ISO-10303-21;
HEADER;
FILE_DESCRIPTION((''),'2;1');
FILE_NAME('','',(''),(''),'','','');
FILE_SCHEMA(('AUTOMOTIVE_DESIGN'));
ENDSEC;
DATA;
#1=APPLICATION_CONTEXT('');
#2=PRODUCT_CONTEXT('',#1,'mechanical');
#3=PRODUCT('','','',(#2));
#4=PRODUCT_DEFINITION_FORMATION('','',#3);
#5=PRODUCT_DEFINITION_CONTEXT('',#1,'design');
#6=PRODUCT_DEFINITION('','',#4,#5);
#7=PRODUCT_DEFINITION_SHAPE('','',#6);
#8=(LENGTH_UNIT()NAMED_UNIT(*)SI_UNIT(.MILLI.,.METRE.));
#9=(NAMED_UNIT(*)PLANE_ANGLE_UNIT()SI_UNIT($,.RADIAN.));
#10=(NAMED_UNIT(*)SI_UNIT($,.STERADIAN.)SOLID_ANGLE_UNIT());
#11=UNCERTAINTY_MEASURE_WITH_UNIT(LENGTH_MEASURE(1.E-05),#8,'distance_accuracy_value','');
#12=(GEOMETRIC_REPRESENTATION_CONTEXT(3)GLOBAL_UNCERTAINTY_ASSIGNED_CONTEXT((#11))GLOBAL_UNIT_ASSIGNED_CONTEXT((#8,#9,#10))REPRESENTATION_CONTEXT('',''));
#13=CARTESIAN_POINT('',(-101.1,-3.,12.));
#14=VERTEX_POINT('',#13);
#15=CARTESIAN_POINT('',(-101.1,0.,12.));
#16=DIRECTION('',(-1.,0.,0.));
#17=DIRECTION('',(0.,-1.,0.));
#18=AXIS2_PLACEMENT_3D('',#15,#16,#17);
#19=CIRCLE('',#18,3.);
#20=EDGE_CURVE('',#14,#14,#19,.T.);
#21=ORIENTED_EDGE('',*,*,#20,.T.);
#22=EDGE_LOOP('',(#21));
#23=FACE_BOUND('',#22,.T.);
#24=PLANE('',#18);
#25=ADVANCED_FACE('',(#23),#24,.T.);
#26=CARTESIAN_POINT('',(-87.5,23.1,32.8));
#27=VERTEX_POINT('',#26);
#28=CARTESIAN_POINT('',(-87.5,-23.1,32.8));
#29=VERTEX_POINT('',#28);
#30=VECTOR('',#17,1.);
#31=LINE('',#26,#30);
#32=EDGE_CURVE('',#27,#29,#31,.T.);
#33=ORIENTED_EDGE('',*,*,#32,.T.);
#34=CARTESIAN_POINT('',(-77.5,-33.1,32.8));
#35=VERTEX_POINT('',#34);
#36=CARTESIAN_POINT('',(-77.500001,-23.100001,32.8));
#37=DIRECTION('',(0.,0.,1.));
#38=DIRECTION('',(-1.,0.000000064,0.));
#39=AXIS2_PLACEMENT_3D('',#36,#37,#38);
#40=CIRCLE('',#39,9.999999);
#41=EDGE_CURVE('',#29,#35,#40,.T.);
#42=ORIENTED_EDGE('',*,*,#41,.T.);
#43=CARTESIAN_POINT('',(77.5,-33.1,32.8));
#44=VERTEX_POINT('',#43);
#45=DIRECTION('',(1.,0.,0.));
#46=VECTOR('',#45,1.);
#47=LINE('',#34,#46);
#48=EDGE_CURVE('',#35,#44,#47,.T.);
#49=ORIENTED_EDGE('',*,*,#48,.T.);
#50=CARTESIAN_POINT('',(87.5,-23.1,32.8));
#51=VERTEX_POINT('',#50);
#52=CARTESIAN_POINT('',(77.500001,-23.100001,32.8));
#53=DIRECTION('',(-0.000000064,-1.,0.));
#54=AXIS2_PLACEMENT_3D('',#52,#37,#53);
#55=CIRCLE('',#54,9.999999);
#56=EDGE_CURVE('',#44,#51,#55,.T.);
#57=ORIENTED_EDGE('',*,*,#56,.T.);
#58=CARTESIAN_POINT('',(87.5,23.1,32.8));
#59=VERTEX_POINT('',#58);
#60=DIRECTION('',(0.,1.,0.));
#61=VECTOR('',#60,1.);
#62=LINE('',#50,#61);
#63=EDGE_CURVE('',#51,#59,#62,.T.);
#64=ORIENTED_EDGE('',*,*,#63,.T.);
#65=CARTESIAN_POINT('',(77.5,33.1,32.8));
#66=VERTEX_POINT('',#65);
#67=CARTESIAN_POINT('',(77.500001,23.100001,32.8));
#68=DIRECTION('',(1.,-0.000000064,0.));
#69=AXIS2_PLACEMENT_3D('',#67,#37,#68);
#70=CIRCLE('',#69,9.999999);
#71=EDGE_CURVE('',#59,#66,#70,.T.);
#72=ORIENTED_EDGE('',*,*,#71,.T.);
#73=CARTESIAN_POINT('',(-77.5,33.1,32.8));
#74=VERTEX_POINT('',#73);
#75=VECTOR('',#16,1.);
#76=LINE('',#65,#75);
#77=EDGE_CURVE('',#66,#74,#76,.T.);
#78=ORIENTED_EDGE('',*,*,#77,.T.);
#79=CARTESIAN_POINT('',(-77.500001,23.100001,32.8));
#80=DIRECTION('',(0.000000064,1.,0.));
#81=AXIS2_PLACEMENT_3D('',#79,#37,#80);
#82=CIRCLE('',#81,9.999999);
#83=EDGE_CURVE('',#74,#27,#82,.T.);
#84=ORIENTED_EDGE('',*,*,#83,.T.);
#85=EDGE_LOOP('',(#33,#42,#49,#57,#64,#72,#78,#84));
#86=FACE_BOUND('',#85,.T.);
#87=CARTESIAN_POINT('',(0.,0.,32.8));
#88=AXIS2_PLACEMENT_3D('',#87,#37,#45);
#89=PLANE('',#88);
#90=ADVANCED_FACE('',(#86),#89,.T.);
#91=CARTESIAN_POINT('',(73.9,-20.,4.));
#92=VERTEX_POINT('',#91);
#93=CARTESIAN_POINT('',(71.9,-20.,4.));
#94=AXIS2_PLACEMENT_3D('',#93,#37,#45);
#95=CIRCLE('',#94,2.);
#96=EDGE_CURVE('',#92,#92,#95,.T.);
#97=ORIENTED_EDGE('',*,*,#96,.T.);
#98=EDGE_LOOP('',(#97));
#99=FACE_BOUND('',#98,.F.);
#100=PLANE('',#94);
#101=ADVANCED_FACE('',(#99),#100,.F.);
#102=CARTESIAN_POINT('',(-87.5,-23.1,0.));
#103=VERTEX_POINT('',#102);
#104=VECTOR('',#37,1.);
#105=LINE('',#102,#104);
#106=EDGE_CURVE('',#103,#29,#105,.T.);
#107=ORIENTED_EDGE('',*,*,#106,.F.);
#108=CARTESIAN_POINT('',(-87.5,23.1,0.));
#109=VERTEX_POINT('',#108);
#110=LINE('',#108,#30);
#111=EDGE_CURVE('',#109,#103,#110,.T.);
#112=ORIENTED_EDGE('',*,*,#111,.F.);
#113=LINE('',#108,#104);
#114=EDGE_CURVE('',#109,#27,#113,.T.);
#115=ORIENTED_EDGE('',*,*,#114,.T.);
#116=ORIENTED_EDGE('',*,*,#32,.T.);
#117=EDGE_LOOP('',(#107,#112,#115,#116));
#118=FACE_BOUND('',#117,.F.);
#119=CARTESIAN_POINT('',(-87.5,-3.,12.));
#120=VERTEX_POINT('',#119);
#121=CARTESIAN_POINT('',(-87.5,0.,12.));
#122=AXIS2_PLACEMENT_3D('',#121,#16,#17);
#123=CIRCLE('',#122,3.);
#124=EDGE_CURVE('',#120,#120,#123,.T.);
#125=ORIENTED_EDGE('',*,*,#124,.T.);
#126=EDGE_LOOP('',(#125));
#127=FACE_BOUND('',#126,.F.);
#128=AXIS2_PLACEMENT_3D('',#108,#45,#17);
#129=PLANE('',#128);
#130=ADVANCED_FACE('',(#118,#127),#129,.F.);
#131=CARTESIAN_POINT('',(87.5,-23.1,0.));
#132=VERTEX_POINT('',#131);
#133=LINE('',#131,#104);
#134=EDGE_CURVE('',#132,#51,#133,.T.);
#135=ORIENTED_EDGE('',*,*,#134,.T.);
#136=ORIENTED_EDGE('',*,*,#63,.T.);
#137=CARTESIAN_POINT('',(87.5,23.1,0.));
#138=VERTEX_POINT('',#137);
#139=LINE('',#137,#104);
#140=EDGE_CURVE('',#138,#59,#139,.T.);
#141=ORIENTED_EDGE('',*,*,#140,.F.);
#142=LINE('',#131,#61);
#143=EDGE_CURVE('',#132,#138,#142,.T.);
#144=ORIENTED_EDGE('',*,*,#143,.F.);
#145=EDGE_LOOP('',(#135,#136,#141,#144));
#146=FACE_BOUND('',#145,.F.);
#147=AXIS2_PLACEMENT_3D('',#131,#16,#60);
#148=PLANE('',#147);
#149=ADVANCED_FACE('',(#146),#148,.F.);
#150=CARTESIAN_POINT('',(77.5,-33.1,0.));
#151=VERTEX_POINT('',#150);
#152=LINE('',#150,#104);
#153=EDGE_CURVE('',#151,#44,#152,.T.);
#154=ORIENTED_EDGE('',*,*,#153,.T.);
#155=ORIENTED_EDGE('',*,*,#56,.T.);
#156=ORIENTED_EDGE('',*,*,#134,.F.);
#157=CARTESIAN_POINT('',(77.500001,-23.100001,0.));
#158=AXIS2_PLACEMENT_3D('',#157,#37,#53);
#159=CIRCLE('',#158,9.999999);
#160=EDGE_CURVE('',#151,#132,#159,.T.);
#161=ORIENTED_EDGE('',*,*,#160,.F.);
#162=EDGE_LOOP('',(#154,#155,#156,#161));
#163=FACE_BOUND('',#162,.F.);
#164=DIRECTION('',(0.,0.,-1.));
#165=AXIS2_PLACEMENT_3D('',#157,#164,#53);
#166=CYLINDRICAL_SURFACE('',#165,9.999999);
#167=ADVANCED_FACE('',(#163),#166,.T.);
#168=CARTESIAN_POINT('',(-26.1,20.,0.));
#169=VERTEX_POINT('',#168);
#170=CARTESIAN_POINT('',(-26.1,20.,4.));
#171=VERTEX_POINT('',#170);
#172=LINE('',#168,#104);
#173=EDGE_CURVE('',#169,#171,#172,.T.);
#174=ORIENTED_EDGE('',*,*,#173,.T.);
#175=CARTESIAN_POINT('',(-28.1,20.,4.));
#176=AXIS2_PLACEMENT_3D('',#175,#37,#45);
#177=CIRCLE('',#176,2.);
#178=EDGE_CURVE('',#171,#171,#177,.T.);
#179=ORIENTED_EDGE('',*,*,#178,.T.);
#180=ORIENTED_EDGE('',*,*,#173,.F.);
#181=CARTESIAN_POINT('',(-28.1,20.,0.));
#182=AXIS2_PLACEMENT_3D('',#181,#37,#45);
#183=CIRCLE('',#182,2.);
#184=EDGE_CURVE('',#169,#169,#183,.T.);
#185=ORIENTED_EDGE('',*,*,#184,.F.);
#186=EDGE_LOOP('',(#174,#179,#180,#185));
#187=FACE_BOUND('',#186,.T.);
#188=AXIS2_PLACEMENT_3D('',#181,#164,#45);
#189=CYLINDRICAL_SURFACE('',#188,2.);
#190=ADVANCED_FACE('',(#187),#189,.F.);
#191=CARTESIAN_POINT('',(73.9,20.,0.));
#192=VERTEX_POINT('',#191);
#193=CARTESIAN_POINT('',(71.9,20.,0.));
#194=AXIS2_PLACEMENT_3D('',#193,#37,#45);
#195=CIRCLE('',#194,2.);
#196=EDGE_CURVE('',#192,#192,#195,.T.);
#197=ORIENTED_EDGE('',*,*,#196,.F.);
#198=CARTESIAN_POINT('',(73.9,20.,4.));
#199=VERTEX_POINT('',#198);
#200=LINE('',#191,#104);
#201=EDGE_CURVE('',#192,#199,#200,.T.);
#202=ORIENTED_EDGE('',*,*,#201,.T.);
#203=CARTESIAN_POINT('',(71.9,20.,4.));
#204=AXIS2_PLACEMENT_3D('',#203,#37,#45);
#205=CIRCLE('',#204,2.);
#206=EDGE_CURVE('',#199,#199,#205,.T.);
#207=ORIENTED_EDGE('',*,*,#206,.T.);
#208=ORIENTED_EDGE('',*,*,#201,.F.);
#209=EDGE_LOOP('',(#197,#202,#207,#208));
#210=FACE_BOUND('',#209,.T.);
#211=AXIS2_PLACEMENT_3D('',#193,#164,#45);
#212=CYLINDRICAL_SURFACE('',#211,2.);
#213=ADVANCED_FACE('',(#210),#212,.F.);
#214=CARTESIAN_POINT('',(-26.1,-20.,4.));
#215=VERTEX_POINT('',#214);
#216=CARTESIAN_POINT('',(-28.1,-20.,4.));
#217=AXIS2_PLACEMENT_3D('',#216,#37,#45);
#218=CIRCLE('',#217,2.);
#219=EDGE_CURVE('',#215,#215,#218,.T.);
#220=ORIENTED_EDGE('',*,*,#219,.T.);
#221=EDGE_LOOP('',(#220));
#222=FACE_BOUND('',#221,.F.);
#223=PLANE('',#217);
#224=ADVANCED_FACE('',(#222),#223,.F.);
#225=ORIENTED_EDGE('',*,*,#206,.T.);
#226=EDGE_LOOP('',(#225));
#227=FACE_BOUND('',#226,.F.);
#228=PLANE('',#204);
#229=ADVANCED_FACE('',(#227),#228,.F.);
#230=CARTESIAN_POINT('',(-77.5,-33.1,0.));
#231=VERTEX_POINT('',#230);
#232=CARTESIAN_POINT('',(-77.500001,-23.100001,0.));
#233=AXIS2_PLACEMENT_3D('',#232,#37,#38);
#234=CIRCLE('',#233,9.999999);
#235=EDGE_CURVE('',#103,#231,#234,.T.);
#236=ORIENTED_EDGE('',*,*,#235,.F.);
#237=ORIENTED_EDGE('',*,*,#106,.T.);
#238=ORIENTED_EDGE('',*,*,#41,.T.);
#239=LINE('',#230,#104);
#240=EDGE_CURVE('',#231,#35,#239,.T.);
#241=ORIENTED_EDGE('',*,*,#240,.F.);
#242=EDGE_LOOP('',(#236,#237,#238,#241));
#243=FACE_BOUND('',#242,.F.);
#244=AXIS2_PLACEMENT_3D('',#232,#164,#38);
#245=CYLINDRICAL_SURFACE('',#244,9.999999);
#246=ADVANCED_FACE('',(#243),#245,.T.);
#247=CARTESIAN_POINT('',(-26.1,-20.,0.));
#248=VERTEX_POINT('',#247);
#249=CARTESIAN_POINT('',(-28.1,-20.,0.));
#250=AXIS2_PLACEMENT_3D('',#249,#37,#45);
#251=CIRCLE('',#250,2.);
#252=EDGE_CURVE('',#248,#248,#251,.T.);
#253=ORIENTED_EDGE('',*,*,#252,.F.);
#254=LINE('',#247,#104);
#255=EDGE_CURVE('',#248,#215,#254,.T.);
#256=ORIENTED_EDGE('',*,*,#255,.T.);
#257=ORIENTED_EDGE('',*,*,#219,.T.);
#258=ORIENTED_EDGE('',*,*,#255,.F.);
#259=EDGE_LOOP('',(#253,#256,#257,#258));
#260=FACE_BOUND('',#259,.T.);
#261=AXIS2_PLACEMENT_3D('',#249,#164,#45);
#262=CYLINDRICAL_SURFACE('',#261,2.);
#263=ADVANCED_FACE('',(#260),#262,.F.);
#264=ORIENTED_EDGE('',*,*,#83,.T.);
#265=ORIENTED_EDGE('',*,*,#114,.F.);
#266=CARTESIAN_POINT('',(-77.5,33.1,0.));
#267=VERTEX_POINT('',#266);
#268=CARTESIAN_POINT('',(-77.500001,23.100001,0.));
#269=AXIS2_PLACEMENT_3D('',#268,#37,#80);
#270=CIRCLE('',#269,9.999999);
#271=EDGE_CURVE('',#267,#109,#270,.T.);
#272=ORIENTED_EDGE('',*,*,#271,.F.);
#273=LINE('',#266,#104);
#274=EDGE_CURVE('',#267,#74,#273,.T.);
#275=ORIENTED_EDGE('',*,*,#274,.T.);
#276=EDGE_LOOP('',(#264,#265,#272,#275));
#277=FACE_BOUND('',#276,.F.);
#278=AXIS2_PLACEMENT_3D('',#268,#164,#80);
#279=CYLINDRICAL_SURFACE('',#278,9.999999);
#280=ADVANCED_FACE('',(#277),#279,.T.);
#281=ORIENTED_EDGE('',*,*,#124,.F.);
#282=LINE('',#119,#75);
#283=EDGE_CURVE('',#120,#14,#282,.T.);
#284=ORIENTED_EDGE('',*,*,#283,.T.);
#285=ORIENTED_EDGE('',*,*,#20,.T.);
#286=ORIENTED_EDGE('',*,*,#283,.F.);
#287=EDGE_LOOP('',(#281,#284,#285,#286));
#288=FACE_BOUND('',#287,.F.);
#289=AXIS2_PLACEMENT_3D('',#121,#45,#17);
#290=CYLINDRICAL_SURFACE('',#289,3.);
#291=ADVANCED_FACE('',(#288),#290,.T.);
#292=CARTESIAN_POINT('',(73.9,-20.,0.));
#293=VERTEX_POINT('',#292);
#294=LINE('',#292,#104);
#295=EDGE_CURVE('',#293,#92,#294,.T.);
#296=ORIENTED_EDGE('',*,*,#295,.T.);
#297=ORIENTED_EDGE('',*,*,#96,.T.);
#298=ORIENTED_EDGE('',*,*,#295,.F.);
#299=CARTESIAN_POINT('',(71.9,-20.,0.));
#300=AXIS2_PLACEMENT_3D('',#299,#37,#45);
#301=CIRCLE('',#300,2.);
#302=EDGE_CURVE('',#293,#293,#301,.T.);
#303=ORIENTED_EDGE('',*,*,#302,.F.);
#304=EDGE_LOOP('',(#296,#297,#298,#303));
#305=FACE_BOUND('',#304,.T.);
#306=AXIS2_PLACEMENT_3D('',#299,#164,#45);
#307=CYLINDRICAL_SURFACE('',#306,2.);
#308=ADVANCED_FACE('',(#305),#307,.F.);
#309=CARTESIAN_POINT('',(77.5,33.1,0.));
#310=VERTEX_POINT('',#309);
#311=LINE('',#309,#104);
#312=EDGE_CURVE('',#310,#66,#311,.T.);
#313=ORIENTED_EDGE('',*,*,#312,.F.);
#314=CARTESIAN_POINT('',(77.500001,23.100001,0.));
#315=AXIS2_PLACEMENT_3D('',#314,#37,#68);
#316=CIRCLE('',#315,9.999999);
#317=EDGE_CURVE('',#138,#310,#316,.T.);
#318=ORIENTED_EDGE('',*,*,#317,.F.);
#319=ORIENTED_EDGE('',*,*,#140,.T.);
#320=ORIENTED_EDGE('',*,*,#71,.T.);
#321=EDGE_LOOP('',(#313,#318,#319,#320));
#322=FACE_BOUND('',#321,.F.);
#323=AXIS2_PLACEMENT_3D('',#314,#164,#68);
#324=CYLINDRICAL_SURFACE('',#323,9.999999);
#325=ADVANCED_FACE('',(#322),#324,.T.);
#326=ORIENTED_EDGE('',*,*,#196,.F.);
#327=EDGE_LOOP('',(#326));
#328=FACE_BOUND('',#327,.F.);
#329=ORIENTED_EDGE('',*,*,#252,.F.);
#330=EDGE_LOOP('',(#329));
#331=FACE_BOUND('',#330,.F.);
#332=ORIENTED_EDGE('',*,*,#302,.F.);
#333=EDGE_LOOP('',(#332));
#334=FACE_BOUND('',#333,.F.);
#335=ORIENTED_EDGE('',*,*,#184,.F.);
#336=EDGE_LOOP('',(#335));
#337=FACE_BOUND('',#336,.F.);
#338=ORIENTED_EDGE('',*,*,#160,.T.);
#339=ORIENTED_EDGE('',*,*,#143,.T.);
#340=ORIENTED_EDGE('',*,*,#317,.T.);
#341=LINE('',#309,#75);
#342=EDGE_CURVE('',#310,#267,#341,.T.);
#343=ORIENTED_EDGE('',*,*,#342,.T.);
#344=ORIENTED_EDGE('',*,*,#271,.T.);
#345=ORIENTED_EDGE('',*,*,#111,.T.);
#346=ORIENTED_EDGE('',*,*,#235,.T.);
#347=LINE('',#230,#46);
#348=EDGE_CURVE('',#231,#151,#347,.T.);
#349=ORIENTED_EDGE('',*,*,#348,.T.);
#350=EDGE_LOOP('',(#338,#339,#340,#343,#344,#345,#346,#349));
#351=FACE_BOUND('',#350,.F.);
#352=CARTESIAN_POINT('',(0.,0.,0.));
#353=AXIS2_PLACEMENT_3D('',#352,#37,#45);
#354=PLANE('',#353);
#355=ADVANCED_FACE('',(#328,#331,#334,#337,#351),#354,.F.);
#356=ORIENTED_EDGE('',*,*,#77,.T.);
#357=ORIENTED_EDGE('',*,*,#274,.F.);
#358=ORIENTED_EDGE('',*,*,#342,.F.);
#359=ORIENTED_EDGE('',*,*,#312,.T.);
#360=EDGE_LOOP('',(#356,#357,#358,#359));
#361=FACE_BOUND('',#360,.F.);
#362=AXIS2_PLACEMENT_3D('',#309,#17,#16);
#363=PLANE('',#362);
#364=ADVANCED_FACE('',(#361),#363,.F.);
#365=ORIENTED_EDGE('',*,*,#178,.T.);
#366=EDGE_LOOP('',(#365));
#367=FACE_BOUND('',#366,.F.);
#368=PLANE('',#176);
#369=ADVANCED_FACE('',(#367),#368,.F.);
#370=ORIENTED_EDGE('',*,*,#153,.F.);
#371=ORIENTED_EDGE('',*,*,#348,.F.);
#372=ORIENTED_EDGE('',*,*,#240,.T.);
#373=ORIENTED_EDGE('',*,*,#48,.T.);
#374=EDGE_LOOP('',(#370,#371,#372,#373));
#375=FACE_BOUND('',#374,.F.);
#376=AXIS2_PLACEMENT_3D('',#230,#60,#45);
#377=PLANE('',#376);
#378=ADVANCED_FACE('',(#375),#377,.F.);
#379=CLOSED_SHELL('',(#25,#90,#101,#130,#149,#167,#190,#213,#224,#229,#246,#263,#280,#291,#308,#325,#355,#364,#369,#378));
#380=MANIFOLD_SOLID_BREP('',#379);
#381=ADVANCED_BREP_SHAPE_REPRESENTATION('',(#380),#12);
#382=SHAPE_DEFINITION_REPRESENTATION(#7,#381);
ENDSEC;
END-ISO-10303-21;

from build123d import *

# Parameters (mm, degrees)
F0_R     = 2
F1_DEPTH = 32.8
F2_R     = 3
F3_DEPTH = 13.6
F4_DEPTH = 4


with BuildPart() as f1:
    # F0 (on Top) → F1 (new body)
    with BuildSketch(Plane.XY):
        with BuildLine():
            Line((77.5, 33.1), (-77.5, 33.1))
            ThreePointArc((-77.5, 33.1), (-84.571068, 30.171068), (-87.5, 23.1))
            Line((-87.5, 23.1), (-87.5, -23.1))
            ThreePointArc((-87.5, -23.1), (-84.571068, -30.171068), (-77.5, -33.1))
            Line((-77.5, -33.1), (77.5, -33.1))
            ThreePointArc((77.5, -33.1), (84.571068, -30.171068), (87.5, -23.1))
            Line((87.5, -23.1), (87.5, 23.1))
            ThreePointArc((87.5, 23.1), (84.571068, 30.171068), (77.5, 33.1))
        make_face()
        with Locations((-28.1, -20)):
            Circle(F0_R, mode=Mode.SUBTRACT)
        with Locations((71.9, -20)):
            Circle(F0_R, mode=Mode.SUBTRACT)
        with Locations((-28.1, 20)):
            Circle(F0_R, mode=Mode.SUBTRACT)
        with Locations((71.9, 20)):
            Circle(F0_R, mode=Mode.SUBTRACT)
        with Locations((-28.1, 20)):
            Circle(F0_R)
        with Locations((-28.1, -20)):
            Circle(F0_R)
        with Locations((71.9, 20)):
            Circle(F0_R)
        with Locations((71.9, -20)):
            Circle(F0_R)
    extrude(amount=F1_DEPTH)

    # F2 (on face) → F3 (join)
    with BuildSketch(Plane(origin=(-87.5, 0, 0), x_dir=(0, -1, 0), z_dir=(-1, 0, 0))):
        with Locations((0, 12)):
            Circle(F2_R)
    extrude(amount=F3_DEPTH)

    # F0 (on Top) → F4 (cut)
    with BuildSketch(Plane.XY):
        with Locations((-28.1, -20)):
            Circle(F0_R)
        with Locations((-28.1, 20)):
            Circle(F0_R)
        with Locations((71.9, 20)):
            Circle(F0_R)
        with Locations((71.9, -20)):
            Circle(F0_R)
    extrude(amount=F4_DEPTH, mode=Mode.SUBTRACT)


solid = f1.part
